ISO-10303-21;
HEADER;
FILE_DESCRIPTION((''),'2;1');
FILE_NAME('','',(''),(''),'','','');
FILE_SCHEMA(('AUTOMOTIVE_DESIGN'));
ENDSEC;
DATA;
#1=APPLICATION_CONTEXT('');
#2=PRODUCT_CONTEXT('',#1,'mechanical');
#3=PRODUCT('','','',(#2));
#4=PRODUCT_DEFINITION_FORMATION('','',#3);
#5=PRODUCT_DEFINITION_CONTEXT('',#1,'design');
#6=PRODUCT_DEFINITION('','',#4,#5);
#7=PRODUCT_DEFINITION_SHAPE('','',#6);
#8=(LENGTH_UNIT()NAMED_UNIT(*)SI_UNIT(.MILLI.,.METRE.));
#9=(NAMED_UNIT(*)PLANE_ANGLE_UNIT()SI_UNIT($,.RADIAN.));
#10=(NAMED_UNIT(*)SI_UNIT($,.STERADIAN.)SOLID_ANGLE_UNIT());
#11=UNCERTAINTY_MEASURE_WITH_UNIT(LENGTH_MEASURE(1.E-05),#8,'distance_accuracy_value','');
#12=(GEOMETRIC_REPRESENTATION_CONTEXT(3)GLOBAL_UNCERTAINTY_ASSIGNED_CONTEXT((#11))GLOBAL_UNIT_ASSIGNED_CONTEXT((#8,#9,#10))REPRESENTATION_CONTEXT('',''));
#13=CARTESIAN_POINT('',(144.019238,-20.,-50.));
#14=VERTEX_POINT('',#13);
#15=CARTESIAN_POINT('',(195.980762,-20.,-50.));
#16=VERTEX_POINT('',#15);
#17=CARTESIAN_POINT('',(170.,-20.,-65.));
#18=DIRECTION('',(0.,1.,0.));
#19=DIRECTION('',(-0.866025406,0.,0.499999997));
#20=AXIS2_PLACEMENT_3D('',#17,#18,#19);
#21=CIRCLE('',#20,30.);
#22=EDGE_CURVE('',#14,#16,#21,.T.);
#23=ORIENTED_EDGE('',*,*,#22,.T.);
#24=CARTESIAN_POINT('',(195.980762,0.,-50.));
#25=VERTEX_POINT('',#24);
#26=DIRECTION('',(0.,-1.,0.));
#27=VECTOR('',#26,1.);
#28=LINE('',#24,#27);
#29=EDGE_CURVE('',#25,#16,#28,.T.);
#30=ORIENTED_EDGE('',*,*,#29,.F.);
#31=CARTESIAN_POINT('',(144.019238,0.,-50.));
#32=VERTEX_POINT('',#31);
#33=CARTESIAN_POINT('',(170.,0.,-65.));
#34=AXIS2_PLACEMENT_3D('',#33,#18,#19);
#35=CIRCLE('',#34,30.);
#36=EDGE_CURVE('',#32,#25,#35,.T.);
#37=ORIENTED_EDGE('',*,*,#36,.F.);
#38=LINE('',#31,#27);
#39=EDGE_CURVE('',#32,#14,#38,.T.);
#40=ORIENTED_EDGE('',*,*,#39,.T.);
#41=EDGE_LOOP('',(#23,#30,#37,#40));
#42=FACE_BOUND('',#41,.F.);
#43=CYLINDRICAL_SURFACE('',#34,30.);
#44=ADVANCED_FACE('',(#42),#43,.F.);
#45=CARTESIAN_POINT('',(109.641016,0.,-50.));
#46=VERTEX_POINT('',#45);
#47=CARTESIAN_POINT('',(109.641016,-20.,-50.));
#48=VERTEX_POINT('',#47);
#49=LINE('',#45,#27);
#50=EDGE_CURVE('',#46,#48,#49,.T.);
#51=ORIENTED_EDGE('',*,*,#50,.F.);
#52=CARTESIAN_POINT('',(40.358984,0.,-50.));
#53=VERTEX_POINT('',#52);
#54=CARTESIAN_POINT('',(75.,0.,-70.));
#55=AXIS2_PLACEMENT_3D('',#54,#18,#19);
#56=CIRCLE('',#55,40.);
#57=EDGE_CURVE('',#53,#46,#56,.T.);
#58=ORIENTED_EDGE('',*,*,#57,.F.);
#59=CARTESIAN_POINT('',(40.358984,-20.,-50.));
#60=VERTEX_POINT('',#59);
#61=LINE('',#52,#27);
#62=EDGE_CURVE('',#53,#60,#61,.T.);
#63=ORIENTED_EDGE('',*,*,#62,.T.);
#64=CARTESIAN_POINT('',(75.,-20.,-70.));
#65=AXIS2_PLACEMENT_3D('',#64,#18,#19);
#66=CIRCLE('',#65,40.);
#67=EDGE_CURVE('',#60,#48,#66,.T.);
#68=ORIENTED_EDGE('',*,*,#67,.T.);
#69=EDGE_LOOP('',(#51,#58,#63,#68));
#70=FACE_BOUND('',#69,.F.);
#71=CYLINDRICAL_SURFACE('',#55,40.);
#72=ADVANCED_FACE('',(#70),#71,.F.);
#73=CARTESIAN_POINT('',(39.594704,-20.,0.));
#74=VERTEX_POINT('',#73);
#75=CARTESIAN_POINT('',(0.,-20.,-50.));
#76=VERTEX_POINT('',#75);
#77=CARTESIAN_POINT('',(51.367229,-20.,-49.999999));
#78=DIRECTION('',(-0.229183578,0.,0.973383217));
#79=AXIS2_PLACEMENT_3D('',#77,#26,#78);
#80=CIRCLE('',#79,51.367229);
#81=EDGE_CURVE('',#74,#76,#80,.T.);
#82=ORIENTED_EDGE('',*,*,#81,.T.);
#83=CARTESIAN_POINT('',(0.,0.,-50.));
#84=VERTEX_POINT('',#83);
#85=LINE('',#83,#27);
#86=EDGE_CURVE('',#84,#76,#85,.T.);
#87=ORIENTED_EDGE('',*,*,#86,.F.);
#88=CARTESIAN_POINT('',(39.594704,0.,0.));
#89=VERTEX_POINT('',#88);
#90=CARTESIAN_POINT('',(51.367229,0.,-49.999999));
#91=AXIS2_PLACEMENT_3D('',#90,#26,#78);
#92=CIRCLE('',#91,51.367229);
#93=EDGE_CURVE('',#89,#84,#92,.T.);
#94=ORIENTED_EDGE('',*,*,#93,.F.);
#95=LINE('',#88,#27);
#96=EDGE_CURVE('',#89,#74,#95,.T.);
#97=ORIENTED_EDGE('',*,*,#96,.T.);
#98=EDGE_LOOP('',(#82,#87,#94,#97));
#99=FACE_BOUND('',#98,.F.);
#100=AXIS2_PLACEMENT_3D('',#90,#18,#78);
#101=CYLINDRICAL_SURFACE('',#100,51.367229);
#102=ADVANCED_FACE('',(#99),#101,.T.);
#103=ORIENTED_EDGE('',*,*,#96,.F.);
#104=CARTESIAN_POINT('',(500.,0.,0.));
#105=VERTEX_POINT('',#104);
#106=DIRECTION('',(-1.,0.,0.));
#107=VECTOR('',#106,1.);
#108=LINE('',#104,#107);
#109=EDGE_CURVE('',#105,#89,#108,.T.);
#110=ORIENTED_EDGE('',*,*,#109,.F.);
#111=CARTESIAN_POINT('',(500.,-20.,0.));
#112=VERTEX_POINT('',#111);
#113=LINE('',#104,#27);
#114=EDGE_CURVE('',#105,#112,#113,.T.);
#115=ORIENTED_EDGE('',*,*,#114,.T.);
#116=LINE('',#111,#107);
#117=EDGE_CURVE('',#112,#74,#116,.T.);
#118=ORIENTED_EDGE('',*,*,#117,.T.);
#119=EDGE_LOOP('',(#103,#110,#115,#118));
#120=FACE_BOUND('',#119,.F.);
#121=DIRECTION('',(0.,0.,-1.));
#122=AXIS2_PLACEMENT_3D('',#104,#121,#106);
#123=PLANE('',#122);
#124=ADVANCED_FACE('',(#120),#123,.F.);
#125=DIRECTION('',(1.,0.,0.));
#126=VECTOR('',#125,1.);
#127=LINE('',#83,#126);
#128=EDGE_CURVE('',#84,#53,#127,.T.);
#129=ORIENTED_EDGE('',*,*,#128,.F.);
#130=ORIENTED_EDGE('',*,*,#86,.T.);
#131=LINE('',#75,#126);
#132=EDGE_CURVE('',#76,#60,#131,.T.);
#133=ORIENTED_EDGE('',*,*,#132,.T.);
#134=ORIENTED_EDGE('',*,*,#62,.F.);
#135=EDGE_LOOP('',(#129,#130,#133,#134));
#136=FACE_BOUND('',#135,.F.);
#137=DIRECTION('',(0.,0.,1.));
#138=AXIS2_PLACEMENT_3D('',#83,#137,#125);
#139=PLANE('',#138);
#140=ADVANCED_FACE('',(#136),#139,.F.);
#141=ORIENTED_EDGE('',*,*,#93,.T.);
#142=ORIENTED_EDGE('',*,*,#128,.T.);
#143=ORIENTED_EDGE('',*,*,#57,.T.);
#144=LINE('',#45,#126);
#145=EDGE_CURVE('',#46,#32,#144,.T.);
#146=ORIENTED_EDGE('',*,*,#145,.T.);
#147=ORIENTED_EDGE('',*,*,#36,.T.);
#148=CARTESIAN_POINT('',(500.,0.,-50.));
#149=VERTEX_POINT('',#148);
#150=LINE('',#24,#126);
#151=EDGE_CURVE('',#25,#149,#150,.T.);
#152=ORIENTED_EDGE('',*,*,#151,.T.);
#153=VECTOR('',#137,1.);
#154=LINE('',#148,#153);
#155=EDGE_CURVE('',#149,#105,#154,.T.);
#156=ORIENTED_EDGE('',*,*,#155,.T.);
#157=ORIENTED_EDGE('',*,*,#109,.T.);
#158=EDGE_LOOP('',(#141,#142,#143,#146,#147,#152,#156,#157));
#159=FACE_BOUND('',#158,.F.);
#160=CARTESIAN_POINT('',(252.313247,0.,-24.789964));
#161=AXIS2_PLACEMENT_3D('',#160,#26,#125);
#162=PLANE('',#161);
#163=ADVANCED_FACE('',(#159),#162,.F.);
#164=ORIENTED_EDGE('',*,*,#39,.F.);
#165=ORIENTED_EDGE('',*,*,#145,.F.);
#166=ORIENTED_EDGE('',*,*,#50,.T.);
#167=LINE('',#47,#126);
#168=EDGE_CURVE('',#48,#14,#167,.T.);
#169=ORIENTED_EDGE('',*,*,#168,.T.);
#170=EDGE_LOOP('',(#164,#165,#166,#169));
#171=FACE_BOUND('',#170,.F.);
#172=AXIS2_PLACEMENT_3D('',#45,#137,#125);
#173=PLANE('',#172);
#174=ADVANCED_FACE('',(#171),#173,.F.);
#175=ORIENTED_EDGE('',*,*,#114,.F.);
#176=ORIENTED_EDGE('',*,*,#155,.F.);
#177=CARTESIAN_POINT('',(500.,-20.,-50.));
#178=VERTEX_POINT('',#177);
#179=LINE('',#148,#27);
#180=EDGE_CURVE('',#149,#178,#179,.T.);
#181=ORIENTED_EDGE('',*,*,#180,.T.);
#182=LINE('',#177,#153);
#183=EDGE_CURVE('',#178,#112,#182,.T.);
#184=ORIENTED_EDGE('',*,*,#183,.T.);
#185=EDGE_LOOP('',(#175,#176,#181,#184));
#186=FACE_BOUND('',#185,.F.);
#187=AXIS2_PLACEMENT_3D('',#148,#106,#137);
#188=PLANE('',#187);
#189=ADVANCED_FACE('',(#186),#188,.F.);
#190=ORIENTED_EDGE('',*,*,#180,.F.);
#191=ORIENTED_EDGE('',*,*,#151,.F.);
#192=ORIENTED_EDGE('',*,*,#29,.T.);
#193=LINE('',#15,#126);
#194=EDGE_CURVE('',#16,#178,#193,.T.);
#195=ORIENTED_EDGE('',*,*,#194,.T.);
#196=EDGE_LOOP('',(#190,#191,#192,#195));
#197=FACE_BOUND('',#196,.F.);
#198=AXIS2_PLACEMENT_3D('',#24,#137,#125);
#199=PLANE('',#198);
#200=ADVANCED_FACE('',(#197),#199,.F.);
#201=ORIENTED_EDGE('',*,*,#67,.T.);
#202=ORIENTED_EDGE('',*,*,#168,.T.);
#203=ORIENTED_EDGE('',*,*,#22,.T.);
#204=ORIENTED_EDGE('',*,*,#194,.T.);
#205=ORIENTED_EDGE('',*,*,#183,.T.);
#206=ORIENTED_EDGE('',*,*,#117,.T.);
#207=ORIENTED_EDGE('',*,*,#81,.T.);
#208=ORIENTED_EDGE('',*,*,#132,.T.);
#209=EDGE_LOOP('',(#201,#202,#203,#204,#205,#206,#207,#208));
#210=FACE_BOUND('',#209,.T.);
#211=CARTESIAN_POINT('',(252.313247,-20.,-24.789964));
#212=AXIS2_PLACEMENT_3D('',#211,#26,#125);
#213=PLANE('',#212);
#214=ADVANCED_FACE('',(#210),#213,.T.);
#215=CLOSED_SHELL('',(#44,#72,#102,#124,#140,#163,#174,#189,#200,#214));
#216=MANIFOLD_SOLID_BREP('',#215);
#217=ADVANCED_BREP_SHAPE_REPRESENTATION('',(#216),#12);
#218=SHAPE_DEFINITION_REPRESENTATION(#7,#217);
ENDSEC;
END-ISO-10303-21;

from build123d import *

# Parameters (mm, degrees)
F1_DEPTH = 20


with BuildPart() as f1:
    # F0 (on Front) → F1 (new body)
    with BuildSketch(Plane.XZ):
        with BuildLine():
            Line((500, 0), (39.594704, 0))
            ThreePointArc((39.594704, 0), (11.097425, -18.110579), (0, -50))
            Line((0, -50), (40.358984, -50))
            ThreePointArc((40.358984, -50), (75, -30), (109.641016, -50))
            Line((109.641016, -50), (144.019238, -50))
            ThreePointArc((144.019238, -50), (170, -35), (195.980762, -50))
            Line((195.980762, -50), (500, -50))
            Line((500, -50), (500, 0))
        make_face()
    extrude(amount=F1_DEPTH)


solid = f1.part
